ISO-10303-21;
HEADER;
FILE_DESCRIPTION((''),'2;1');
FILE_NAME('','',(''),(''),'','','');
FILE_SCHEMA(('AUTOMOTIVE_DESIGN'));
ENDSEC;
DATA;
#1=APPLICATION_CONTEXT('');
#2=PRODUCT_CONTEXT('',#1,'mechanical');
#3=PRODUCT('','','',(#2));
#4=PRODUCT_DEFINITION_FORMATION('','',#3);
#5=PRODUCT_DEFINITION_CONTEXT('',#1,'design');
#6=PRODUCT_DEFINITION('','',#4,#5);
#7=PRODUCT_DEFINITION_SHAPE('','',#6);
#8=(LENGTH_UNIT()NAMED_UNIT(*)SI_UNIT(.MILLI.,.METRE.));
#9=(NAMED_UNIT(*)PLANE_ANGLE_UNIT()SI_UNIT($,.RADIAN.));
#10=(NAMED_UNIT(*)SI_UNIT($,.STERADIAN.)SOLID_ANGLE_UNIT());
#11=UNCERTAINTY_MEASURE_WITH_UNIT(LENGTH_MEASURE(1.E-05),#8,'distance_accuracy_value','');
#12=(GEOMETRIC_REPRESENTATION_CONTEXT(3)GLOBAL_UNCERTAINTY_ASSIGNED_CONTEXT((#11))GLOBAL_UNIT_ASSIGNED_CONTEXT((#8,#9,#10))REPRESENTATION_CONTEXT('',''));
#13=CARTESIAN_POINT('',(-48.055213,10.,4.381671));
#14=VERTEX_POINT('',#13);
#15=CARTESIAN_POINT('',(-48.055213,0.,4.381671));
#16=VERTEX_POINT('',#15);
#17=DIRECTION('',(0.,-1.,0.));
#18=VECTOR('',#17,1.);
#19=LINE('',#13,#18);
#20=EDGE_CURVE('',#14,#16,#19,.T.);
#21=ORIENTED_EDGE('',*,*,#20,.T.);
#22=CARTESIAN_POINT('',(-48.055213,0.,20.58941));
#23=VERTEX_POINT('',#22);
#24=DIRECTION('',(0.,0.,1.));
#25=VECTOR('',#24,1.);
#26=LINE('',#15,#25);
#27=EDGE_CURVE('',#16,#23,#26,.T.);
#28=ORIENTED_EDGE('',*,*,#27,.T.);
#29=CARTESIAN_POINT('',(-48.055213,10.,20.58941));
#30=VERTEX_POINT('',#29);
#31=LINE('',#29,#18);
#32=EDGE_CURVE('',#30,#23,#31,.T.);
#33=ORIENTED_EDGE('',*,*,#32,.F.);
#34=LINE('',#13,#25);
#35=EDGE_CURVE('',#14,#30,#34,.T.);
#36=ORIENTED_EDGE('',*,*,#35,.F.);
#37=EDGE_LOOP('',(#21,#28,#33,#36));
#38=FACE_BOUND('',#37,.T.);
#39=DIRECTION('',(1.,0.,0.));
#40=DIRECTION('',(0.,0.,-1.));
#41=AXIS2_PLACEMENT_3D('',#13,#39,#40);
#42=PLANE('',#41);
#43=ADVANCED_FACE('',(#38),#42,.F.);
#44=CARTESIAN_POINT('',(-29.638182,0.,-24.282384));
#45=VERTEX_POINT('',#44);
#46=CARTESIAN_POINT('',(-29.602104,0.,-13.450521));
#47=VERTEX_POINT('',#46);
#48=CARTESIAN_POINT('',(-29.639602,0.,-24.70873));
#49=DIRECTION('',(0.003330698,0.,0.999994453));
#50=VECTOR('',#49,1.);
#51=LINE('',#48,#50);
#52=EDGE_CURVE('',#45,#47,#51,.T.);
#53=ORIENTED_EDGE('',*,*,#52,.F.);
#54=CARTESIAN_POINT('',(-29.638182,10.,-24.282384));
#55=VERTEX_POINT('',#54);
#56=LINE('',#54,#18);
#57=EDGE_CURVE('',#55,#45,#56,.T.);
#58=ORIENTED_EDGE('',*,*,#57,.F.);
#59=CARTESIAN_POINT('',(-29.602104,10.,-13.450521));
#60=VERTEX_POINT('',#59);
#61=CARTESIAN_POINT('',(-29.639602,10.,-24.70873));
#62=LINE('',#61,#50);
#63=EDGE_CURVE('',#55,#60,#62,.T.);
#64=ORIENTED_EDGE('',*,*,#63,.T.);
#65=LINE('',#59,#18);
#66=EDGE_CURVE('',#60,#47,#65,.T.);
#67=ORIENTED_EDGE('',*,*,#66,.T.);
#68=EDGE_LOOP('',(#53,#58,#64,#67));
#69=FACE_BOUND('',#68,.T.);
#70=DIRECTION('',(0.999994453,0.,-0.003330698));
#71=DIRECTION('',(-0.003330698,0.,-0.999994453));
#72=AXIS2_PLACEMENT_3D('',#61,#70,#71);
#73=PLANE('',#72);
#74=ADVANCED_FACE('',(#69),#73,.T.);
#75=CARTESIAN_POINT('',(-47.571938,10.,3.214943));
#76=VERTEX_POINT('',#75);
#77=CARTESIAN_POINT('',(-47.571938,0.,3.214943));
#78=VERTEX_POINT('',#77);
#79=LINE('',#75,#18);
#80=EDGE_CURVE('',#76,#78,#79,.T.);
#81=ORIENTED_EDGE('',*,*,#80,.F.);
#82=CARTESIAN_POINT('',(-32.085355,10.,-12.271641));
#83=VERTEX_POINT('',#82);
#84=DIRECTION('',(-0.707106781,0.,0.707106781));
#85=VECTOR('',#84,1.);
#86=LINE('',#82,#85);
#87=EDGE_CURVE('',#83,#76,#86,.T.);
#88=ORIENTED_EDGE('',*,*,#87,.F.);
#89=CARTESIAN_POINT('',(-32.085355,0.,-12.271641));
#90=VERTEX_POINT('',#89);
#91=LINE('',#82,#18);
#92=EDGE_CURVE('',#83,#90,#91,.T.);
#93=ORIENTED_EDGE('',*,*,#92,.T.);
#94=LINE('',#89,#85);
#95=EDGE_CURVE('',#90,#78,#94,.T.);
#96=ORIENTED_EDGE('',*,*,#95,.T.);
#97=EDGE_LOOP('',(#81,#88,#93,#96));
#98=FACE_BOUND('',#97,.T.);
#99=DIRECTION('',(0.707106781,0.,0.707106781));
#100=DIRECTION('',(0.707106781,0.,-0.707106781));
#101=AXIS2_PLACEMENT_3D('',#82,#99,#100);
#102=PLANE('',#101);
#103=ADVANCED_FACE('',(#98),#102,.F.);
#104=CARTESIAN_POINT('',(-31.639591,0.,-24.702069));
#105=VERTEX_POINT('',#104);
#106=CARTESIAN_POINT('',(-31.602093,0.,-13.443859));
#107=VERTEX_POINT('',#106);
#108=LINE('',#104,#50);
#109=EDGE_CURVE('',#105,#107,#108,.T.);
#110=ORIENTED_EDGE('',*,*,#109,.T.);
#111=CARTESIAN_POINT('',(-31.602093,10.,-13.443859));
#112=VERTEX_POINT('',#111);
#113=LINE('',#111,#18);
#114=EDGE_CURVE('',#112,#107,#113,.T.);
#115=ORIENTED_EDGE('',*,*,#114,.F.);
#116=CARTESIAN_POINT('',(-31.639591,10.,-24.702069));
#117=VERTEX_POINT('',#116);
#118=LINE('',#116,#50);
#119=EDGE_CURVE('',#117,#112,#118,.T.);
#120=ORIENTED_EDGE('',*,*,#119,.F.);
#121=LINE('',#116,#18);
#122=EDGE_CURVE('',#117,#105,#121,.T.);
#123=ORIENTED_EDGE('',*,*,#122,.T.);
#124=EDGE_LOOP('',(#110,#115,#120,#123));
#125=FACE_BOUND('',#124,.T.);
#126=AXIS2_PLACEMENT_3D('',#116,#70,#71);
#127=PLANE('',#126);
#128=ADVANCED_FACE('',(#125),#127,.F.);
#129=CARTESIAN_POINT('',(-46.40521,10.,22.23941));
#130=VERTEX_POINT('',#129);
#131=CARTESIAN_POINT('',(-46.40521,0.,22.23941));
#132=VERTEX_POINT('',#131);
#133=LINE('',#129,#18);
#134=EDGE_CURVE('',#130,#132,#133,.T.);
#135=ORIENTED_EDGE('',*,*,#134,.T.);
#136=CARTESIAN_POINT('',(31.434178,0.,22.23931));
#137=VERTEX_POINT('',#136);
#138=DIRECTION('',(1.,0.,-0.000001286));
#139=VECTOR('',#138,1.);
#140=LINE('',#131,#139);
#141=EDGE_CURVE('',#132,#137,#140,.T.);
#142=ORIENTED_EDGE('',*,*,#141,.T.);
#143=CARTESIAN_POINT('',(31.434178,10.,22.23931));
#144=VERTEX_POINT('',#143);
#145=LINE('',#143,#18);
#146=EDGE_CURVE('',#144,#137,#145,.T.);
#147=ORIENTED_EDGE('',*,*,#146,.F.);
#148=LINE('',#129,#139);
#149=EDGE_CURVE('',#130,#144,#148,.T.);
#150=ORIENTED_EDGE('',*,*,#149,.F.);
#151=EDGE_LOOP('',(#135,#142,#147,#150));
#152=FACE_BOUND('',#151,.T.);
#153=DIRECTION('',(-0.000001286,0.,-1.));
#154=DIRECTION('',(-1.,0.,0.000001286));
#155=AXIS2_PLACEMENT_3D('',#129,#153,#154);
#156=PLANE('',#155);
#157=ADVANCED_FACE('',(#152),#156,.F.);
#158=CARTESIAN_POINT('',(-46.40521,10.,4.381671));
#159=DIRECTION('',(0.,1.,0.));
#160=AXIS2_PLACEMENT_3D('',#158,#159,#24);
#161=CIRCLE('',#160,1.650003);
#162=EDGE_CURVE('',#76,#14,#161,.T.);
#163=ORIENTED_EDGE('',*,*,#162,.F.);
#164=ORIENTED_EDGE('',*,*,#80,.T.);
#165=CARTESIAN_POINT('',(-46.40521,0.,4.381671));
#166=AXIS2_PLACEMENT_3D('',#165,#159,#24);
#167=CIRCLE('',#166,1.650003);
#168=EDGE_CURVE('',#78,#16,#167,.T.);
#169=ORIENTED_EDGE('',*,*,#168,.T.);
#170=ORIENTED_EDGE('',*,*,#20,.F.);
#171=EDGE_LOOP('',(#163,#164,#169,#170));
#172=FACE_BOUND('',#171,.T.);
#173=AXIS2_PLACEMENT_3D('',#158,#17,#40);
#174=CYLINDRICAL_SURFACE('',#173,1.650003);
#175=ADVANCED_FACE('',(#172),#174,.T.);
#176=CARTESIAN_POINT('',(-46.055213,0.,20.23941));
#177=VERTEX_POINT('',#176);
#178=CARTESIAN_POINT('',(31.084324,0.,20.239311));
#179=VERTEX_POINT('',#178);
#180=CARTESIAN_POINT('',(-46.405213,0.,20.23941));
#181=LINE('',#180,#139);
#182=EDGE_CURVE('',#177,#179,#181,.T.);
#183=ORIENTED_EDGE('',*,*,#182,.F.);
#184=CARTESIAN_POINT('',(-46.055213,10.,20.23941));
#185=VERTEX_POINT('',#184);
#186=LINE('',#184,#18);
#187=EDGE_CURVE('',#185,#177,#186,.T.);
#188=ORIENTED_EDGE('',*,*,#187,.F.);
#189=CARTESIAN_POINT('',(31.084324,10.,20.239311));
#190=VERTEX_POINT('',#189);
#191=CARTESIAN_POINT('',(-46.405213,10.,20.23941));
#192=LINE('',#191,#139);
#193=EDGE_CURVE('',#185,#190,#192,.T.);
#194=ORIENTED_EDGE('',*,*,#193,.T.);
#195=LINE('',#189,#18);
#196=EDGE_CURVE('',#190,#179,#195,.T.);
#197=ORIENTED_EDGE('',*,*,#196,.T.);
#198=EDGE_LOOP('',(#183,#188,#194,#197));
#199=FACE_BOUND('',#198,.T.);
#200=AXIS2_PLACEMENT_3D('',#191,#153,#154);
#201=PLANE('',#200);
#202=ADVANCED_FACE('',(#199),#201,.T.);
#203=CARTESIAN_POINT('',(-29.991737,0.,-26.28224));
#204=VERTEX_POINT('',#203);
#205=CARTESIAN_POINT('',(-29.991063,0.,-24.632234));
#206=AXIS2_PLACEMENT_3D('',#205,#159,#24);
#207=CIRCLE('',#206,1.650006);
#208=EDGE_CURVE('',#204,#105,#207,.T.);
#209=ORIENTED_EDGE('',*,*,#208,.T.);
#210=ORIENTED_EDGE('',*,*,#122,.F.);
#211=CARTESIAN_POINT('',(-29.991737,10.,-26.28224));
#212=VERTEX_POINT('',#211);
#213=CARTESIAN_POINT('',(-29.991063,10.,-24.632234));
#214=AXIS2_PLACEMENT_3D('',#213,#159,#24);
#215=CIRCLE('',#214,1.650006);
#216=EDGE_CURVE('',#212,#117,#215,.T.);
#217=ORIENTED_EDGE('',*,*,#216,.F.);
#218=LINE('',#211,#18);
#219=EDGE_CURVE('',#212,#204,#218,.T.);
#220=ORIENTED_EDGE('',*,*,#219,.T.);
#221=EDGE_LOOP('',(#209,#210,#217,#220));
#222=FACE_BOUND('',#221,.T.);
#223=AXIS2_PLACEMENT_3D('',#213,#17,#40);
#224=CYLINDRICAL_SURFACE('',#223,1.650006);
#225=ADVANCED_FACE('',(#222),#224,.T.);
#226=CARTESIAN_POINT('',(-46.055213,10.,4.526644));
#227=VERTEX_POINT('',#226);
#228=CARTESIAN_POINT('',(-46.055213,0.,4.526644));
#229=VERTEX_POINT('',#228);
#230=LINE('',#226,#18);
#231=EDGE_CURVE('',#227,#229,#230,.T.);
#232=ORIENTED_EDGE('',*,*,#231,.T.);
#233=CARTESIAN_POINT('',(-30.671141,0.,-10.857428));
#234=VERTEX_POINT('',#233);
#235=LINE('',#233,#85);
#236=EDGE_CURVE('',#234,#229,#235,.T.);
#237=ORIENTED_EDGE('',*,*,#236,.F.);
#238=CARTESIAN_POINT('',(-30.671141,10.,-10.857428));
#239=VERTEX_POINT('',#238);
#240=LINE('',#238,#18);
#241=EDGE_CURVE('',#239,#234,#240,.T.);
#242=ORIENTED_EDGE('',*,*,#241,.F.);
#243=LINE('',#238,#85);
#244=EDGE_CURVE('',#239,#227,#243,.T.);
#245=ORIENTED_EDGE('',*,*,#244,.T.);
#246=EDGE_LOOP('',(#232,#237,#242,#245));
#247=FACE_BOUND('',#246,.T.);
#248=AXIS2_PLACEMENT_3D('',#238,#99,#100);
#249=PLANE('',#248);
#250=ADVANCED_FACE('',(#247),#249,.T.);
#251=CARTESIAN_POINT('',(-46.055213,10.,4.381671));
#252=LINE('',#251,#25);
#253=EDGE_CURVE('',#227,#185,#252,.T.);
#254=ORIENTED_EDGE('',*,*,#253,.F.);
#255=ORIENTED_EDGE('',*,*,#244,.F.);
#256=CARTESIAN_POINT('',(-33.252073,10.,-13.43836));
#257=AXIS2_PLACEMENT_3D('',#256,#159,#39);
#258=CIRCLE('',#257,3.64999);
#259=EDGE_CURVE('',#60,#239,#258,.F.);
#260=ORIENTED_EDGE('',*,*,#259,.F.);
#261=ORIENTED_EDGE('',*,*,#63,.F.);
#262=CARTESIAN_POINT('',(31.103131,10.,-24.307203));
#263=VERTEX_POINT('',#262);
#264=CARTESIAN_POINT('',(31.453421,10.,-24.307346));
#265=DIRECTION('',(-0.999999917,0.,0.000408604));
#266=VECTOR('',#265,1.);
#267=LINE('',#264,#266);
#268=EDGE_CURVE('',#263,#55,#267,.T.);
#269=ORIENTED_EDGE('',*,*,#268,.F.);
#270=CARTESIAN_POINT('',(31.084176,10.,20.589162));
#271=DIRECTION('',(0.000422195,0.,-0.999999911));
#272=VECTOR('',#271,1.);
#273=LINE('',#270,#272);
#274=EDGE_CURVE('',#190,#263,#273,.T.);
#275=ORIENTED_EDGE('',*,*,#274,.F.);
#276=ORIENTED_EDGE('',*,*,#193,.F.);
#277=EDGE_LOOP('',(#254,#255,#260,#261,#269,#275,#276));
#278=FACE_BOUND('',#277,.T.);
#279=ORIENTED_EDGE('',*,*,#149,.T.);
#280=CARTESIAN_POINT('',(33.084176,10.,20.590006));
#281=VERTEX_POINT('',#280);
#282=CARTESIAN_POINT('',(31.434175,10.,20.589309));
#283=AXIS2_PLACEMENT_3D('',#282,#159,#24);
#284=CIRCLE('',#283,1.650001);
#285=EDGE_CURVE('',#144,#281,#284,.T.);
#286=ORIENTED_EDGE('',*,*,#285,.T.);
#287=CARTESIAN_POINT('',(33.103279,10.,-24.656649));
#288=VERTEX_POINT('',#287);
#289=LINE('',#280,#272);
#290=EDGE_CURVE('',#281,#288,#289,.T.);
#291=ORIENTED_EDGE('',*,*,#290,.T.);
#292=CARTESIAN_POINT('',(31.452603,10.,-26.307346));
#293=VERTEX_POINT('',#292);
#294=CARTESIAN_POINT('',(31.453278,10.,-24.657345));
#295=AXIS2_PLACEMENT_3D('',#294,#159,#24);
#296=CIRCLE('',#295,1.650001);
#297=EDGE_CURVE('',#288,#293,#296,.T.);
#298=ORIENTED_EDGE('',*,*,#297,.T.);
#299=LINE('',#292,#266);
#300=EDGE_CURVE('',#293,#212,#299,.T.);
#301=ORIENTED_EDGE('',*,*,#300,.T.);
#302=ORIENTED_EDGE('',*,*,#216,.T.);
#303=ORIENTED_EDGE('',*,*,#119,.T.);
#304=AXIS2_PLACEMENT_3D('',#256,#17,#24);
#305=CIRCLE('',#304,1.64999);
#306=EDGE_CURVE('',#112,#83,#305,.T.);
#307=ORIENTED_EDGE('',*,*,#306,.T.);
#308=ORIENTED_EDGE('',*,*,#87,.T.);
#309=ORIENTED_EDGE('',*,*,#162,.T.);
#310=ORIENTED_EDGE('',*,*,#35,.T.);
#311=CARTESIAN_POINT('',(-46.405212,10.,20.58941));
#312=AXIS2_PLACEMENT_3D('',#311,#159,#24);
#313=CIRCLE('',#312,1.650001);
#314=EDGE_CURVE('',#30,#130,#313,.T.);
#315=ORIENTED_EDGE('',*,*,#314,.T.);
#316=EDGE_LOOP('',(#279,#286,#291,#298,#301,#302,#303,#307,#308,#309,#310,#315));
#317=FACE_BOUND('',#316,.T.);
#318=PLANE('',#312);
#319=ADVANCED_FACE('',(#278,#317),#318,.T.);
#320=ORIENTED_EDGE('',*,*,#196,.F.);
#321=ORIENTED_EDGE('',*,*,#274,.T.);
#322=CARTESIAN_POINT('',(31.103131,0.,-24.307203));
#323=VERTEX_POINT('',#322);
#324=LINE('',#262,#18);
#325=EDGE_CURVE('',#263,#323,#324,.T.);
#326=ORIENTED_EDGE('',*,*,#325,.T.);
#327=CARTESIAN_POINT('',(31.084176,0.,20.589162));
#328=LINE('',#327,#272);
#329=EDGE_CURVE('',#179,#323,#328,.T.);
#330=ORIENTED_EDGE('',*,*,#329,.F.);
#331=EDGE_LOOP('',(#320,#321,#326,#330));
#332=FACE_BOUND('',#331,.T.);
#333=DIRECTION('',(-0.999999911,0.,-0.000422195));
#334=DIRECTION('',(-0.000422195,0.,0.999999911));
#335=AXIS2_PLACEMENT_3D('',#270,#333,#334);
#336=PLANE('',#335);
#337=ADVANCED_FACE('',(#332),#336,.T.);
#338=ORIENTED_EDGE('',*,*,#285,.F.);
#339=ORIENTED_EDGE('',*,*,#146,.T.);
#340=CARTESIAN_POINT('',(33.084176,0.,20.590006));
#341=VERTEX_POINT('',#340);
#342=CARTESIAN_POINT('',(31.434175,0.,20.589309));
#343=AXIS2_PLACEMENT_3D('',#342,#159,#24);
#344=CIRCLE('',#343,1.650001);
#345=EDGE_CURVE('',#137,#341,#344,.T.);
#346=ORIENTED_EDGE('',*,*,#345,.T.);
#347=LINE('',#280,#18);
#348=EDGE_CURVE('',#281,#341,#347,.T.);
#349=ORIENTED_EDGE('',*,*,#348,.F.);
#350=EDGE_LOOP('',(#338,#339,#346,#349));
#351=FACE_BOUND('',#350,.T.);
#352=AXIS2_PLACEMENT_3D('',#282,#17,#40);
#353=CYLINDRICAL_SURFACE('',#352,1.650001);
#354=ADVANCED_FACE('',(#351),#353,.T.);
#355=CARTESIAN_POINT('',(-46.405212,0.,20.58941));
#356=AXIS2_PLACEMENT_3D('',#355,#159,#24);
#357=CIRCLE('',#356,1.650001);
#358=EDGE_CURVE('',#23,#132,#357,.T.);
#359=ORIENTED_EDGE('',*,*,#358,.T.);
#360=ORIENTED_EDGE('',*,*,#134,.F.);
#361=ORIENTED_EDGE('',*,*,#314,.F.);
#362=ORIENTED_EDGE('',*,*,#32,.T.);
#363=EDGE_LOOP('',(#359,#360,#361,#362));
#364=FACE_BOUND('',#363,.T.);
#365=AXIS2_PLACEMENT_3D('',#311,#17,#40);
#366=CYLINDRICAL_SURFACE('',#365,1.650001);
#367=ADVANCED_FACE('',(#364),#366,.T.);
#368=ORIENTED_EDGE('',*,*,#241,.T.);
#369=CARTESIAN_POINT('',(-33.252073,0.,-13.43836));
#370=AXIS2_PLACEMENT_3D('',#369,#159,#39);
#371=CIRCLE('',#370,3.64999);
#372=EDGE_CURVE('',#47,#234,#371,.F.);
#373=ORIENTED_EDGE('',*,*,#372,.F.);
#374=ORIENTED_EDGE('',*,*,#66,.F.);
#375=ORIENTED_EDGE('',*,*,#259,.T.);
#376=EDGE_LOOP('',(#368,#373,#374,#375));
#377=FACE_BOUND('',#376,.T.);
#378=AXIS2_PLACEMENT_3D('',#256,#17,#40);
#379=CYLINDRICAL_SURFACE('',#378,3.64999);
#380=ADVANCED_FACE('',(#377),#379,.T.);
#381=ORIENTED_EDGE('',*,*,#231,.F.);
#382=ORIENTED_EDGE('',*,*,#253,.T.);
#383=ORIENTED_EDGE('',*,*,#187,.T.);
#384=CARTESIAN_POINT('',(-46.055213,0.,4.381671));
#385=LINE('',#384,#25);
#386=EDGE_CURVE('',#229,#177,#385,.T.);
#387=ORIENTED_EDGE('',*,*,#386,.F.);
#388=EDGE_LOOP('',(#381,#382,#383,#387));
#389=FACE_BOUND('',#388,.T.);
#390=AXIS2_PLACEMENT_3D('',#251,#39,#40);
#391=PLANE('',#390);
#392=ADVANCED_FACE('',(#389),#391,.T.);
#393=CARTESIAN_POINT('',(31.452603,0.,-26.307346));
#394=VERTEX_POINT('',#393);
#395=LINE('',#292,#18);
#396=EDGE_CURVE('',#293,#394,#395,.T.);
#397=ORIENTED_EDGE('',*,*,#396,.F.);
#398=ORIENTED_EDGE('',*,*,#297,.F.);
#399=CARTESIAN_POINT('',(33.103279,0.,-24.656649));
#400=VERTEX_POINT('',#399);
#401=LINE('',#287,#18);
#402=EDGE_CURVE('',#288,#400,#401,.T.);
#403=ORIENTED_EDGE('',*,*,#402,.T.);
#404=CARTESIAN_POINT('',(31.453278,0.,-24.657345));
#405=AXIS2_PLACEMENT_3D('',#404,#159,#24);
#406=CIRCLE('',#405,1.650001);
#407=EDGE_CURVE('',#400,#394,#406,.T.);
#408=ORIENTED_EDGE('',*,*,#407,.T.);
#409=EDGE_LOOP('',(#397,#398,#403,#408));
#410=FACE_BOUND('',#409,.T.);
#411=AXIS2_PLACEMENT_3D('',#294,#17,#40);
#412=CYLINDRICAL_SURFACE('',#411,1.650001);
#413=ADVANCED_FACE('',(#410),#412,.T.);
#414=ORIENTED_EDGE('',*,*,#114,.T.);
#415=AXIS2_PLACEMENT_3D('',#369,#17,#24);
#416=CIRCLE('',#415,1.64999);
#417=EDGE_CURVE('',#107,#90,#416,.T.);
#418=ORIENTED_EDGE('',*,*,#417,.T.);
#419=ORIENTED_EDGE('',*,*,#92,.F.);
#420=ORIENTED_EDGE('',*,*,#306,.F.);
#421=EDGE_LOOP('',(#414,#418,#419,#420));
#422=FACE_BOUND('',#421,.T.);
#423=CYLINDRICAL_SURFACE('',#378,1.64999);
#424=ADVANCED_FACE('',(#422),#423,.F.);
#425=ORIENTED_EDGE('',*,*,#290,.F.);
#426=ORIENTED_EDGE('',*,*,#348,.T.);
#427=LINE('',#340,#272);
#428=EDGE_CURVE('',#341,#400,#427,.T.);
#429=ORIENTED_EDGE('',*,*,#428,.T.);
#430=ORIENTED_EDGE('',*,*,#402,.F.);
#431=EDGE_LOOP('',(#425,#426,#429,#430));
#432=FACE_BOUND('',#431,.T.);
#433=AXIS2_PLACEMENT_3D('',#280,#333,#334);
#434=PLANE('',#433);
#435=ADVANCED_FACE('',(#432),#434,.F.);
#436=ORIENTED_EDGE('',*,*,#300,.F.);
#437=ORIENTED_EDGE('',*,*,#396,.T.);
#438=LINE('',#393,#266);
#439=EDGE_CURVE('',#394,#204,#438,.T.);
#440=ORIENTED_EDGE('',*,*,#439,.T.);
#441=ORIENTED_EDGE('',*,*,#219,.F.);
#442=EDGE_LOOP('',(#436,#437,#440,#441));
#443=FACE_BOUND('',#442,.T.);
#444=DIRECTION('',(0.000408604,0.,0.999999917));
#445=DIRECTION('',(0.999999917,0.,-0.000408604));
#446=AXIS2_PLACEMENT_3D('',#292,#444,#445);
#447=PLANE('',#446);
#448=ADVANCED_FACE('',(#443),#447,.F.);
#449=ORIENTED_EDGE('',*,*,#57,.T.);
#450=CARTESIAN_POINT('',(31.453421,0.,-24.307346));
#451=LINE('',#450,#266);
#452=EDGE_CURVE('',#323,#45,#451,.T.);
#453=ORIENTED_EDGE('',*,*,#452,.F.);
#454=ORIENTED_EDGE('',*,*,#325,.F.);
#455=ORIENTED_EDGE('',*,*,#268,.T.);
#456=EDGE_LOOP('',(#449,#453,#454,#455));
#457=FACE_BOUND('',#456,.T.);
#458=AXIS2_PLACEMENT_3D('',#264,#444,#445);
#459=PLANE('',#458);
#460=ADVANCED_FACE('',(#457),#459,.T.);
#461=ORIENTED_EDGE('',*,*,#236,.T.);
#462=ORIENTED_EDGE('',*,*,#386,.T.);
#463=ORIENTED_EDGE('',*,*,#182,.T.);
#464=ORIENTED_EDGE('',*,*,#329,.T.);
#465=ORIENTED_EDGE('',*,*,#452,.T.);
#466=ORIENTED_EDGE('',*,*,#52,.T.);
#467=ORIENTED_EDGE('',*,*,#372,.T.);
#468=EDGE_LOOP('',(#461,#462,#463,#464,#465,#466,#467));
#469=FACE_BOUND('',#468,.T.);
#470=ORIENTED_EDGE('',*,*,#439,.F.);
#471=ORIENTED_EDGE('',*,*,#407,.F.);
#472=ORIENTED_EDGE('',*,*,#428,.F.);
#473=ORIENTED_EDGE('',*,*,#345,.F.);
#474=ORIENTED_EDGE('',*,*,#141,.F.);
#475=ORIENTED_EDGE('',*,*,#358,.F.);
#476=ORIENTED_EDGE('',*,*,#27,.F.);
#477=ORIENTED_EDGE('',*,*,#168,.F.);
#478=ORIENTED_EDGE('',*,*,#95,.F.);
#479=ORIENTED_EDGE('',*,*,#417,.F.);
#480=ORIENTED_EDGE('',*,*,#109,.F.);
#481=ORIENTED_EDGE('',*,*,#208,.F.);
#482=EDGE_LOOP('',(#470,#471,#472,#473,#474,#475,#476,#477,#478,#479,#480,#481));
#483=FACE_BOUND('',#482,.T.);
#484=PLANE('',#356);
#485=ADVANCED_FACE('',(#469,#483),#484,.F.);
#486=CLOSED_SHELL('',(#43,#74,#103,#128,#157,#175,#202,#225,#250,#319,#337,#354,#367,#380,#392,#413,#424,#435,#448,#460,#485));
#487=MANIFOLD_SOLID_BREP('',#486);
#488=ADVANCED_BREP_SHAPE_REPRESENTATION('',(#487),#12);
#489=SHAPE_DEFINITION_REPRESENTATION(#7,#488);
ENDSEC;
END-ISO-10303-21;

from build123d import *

# Parameters (mm, degrees)
EXTRUDE_THIN1_DEPTH = 10


with BuildPart() as part:
    # Sketch1 → Extrude-Thin1 (new body)
    with BuildSketch(Plane(origin=(0, 0, 0), x_dir=(1, 0, 0), z_dir=(0, 1, 0))):
        with BuildLine():
            Line((-48.055213063, -4.381670713), (-48.055213063, -20.589409576))
            ThreePointArc((-48.055213063, -20.589409576), (-47.571938312, -21.756136971), (-46.405210296, -22.239410221))
            Line((-46.405210296, -22.239410221), (31.434177514, -22.239310121))
            ThreePointArc((31.434177514, -22.239310121), (32.600656469, -21.756281638), (33.08417589, -20.590006097))
            Line((33.08417589, -20.590006097), (33.103278784, 24.656648645))
            ThreePointArc((33.103278784, 24.656648645), (32.62001265, 25.824064412), (31.452603406, 26.307346307))
            Line((31.452603406, 26.307346307), (-29.991737035, 26.282239879))
            ThreePointArc((-29.991737035, 26.282239879), (-31.133079443, 25.823165706), (-31.639590763, 24.702068979))
            Line((-31.639590763, 24.702068979), (-31.602092863, 13.443859379))
            ThreePointArc((-31.602092863, 13.443859379), (-31.726631593, 12.809477673), (-32.0853545, 12.271641341))
            Line((-32.0853545, 12.271641341), (-47.571938464, -3.214942622))
            ThreePointArc((-47.571938464, -3.214942622), (-47.929614086, -3.75024202), (-48.055213063, -4.381670713))
        make_face()
        with BuildLine():
            Line((-46.055213063, -4.526644346), (-46.055213063, -20.239409771))
            Line((-46.055213063, -20.239409771), (31.084323774, -20.239310571))
            Line((31.084323774, -20.239310571), (31.103131072, 24.307203344))
            Line((31.103131072, 24.307203344), (-29.638181818, 24.282384176))
            Line((-29.638181818, 24.282384176), (-29.602103962, 13.4505225))
            ThreePointArc((-29.602103962, 13.4505225), (-29.877600157, 12.047189835), (-30.671140938, 10.857427779))
            Line((-30.671140938, 10.857427779), (-46.055213063, -4.526644346))
        make_face(mode=Mode.SUBTRACT)
    extrude(amount=EXTRUDE_THIN1_DEPTH)


solid = part.part
